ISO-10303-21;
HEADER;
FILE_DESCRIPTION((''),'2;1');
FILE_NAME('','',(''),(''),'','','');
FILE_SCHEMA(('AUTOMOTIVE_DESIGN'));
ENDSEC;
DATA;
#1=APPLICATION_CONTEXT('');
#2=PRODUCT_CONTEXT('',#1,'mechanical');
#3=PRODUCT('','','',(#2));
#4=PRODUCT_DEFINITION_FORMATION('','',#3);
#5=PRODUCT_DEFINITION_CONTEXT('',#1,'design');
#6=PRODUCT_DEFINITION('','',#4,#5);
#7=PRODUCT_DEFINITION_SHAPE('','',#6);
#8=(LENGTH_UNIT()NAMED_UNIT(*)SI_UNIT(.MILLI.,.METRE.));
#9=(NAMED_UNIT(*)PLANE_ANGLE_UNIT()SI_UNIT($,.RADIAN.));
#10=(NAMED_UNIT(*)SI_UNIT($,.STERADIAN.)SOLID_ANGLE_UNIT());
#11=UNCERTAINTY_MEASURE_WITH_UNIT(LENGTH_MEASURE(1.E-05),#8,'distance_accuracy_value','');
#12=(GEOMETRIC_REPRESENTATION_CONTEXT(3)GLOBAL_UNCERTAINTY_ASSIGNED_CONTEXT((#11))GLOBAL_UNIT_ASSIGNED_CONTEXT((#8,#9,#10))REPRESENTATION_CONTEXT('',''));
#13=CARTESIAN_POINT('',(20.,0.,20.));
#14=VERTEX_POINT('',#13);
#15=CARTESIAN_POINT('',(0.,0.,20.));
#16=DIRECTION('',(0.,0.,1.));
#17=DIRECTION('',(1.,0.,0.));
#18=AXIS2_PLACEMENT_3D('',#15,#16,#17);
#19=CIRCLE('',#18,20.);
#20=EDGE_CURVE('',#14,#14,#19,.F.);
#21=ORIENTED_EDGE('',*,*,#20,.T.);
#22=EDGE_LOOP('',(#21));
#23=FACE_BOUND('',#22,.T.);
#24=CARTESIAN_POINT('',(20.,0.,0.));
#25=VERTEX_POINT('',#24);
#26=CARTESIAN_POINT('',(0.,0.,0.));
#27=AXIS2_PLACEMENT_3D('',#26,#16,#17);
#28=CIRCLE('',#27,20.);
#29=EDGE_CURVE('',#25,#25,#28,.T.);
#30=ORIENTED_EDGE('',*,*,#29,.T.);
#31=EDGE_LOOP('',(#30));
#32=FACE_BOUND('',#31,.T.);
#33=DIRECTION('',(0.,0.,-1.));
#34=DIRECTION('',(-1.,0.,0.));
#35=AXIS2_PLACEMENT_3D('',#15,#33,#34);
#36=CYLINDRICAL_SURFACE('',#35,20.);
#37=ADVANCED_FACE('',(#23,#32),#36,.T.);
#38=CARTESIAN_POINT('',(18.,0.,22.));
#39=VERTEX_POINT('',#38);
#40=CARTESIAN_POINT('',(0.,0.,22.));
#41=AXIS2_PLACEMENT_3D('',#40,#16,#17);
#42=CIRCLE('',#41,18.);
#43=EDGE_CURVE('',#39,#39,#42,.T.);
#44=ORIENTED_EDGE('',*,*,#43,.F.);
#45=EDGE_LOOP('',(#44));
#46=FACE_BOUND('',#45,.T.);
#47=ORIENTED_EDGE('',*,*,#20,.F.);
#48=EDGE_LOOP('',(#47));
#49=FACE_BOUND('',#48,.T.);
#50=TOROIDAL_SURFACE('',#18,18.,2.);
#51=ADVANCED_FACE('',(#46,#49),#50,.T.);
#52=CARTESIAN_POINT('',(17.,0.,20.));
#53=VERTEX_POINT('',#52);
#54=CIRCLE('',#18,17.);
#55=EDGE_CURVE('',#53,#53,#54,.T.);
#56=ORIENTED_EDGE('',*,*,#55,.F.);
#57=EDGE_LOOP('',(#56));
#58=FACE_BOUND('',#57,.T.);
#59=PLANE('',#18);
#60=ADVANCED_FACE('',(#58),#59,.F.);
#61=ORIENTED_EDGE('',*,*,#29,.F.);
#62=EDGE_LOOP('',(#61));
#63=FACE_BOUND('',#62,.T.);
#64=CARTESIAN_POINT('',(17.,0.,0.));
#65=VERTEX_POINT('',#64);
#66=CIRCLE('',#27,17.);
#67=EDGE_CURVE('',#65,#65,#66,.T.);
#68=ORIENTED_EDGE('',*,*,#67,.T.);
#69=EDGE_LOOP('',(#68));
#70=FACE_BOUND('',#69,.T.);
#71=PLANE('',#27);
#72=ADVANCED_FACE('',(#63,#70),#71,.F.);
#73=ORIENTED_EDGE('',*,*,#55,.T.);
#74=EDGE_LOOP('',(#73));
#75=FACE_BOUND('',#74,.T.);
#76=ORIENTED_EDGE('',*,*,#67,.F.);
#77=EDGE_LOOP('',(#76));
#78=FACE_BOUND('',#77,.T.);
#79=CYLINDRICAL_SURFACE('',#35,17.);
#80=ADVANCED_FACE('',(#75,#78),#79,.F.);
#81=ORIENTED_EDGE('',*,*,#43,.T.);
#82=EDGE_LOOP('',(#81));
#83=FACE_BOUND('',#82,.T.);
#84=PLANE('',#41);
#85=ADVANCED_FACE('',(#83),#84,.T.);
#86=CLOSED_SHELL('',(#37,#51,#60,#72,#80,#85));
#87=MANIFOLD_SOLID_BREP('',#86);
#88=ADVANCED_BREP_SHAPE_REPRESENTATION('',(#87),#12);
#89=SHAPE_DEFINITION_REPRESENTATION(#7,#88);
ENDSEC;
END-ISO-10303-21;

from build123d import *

# Parameters (mm, degrees)
SKETCH1_R           = 20
SKETCH1_R_2         = 17
BOSS_EXTRUDE1_DEPTH = 20
SKETCH2_R           = 20
BOSS_EXTRUDE2_DEPTH = 2
FILLET1_R           = 2


with BuildPart() as part:
    # Sketch1 → Boss-Extrude1 (new body)
    with BuildSketch(Plane.XY):
        Circle(SKETCH1_R)
        Circle(SKETCH1_R_2, mode=Mode.SUBTRACT)
    extrude(amount=BOSS_EXTRUDE1_DEPTH)

    # Sketch2 → Boss-Extrude2 (add)
    with BuildSketch(Plane.XY.offset(20)):
        Circle(SKETCH2_R)
    extrude(amount=BOSS_EXTRUDE2_DEPTH)

    # Fillet1
    fillet1_edges = [part.edges().sort_by_distance(p)[0] for p in [
        (-20, 0, 22),
    ]]
    fillet(fillet1_edges, radius=FILLET1_R)


solid = part.part
